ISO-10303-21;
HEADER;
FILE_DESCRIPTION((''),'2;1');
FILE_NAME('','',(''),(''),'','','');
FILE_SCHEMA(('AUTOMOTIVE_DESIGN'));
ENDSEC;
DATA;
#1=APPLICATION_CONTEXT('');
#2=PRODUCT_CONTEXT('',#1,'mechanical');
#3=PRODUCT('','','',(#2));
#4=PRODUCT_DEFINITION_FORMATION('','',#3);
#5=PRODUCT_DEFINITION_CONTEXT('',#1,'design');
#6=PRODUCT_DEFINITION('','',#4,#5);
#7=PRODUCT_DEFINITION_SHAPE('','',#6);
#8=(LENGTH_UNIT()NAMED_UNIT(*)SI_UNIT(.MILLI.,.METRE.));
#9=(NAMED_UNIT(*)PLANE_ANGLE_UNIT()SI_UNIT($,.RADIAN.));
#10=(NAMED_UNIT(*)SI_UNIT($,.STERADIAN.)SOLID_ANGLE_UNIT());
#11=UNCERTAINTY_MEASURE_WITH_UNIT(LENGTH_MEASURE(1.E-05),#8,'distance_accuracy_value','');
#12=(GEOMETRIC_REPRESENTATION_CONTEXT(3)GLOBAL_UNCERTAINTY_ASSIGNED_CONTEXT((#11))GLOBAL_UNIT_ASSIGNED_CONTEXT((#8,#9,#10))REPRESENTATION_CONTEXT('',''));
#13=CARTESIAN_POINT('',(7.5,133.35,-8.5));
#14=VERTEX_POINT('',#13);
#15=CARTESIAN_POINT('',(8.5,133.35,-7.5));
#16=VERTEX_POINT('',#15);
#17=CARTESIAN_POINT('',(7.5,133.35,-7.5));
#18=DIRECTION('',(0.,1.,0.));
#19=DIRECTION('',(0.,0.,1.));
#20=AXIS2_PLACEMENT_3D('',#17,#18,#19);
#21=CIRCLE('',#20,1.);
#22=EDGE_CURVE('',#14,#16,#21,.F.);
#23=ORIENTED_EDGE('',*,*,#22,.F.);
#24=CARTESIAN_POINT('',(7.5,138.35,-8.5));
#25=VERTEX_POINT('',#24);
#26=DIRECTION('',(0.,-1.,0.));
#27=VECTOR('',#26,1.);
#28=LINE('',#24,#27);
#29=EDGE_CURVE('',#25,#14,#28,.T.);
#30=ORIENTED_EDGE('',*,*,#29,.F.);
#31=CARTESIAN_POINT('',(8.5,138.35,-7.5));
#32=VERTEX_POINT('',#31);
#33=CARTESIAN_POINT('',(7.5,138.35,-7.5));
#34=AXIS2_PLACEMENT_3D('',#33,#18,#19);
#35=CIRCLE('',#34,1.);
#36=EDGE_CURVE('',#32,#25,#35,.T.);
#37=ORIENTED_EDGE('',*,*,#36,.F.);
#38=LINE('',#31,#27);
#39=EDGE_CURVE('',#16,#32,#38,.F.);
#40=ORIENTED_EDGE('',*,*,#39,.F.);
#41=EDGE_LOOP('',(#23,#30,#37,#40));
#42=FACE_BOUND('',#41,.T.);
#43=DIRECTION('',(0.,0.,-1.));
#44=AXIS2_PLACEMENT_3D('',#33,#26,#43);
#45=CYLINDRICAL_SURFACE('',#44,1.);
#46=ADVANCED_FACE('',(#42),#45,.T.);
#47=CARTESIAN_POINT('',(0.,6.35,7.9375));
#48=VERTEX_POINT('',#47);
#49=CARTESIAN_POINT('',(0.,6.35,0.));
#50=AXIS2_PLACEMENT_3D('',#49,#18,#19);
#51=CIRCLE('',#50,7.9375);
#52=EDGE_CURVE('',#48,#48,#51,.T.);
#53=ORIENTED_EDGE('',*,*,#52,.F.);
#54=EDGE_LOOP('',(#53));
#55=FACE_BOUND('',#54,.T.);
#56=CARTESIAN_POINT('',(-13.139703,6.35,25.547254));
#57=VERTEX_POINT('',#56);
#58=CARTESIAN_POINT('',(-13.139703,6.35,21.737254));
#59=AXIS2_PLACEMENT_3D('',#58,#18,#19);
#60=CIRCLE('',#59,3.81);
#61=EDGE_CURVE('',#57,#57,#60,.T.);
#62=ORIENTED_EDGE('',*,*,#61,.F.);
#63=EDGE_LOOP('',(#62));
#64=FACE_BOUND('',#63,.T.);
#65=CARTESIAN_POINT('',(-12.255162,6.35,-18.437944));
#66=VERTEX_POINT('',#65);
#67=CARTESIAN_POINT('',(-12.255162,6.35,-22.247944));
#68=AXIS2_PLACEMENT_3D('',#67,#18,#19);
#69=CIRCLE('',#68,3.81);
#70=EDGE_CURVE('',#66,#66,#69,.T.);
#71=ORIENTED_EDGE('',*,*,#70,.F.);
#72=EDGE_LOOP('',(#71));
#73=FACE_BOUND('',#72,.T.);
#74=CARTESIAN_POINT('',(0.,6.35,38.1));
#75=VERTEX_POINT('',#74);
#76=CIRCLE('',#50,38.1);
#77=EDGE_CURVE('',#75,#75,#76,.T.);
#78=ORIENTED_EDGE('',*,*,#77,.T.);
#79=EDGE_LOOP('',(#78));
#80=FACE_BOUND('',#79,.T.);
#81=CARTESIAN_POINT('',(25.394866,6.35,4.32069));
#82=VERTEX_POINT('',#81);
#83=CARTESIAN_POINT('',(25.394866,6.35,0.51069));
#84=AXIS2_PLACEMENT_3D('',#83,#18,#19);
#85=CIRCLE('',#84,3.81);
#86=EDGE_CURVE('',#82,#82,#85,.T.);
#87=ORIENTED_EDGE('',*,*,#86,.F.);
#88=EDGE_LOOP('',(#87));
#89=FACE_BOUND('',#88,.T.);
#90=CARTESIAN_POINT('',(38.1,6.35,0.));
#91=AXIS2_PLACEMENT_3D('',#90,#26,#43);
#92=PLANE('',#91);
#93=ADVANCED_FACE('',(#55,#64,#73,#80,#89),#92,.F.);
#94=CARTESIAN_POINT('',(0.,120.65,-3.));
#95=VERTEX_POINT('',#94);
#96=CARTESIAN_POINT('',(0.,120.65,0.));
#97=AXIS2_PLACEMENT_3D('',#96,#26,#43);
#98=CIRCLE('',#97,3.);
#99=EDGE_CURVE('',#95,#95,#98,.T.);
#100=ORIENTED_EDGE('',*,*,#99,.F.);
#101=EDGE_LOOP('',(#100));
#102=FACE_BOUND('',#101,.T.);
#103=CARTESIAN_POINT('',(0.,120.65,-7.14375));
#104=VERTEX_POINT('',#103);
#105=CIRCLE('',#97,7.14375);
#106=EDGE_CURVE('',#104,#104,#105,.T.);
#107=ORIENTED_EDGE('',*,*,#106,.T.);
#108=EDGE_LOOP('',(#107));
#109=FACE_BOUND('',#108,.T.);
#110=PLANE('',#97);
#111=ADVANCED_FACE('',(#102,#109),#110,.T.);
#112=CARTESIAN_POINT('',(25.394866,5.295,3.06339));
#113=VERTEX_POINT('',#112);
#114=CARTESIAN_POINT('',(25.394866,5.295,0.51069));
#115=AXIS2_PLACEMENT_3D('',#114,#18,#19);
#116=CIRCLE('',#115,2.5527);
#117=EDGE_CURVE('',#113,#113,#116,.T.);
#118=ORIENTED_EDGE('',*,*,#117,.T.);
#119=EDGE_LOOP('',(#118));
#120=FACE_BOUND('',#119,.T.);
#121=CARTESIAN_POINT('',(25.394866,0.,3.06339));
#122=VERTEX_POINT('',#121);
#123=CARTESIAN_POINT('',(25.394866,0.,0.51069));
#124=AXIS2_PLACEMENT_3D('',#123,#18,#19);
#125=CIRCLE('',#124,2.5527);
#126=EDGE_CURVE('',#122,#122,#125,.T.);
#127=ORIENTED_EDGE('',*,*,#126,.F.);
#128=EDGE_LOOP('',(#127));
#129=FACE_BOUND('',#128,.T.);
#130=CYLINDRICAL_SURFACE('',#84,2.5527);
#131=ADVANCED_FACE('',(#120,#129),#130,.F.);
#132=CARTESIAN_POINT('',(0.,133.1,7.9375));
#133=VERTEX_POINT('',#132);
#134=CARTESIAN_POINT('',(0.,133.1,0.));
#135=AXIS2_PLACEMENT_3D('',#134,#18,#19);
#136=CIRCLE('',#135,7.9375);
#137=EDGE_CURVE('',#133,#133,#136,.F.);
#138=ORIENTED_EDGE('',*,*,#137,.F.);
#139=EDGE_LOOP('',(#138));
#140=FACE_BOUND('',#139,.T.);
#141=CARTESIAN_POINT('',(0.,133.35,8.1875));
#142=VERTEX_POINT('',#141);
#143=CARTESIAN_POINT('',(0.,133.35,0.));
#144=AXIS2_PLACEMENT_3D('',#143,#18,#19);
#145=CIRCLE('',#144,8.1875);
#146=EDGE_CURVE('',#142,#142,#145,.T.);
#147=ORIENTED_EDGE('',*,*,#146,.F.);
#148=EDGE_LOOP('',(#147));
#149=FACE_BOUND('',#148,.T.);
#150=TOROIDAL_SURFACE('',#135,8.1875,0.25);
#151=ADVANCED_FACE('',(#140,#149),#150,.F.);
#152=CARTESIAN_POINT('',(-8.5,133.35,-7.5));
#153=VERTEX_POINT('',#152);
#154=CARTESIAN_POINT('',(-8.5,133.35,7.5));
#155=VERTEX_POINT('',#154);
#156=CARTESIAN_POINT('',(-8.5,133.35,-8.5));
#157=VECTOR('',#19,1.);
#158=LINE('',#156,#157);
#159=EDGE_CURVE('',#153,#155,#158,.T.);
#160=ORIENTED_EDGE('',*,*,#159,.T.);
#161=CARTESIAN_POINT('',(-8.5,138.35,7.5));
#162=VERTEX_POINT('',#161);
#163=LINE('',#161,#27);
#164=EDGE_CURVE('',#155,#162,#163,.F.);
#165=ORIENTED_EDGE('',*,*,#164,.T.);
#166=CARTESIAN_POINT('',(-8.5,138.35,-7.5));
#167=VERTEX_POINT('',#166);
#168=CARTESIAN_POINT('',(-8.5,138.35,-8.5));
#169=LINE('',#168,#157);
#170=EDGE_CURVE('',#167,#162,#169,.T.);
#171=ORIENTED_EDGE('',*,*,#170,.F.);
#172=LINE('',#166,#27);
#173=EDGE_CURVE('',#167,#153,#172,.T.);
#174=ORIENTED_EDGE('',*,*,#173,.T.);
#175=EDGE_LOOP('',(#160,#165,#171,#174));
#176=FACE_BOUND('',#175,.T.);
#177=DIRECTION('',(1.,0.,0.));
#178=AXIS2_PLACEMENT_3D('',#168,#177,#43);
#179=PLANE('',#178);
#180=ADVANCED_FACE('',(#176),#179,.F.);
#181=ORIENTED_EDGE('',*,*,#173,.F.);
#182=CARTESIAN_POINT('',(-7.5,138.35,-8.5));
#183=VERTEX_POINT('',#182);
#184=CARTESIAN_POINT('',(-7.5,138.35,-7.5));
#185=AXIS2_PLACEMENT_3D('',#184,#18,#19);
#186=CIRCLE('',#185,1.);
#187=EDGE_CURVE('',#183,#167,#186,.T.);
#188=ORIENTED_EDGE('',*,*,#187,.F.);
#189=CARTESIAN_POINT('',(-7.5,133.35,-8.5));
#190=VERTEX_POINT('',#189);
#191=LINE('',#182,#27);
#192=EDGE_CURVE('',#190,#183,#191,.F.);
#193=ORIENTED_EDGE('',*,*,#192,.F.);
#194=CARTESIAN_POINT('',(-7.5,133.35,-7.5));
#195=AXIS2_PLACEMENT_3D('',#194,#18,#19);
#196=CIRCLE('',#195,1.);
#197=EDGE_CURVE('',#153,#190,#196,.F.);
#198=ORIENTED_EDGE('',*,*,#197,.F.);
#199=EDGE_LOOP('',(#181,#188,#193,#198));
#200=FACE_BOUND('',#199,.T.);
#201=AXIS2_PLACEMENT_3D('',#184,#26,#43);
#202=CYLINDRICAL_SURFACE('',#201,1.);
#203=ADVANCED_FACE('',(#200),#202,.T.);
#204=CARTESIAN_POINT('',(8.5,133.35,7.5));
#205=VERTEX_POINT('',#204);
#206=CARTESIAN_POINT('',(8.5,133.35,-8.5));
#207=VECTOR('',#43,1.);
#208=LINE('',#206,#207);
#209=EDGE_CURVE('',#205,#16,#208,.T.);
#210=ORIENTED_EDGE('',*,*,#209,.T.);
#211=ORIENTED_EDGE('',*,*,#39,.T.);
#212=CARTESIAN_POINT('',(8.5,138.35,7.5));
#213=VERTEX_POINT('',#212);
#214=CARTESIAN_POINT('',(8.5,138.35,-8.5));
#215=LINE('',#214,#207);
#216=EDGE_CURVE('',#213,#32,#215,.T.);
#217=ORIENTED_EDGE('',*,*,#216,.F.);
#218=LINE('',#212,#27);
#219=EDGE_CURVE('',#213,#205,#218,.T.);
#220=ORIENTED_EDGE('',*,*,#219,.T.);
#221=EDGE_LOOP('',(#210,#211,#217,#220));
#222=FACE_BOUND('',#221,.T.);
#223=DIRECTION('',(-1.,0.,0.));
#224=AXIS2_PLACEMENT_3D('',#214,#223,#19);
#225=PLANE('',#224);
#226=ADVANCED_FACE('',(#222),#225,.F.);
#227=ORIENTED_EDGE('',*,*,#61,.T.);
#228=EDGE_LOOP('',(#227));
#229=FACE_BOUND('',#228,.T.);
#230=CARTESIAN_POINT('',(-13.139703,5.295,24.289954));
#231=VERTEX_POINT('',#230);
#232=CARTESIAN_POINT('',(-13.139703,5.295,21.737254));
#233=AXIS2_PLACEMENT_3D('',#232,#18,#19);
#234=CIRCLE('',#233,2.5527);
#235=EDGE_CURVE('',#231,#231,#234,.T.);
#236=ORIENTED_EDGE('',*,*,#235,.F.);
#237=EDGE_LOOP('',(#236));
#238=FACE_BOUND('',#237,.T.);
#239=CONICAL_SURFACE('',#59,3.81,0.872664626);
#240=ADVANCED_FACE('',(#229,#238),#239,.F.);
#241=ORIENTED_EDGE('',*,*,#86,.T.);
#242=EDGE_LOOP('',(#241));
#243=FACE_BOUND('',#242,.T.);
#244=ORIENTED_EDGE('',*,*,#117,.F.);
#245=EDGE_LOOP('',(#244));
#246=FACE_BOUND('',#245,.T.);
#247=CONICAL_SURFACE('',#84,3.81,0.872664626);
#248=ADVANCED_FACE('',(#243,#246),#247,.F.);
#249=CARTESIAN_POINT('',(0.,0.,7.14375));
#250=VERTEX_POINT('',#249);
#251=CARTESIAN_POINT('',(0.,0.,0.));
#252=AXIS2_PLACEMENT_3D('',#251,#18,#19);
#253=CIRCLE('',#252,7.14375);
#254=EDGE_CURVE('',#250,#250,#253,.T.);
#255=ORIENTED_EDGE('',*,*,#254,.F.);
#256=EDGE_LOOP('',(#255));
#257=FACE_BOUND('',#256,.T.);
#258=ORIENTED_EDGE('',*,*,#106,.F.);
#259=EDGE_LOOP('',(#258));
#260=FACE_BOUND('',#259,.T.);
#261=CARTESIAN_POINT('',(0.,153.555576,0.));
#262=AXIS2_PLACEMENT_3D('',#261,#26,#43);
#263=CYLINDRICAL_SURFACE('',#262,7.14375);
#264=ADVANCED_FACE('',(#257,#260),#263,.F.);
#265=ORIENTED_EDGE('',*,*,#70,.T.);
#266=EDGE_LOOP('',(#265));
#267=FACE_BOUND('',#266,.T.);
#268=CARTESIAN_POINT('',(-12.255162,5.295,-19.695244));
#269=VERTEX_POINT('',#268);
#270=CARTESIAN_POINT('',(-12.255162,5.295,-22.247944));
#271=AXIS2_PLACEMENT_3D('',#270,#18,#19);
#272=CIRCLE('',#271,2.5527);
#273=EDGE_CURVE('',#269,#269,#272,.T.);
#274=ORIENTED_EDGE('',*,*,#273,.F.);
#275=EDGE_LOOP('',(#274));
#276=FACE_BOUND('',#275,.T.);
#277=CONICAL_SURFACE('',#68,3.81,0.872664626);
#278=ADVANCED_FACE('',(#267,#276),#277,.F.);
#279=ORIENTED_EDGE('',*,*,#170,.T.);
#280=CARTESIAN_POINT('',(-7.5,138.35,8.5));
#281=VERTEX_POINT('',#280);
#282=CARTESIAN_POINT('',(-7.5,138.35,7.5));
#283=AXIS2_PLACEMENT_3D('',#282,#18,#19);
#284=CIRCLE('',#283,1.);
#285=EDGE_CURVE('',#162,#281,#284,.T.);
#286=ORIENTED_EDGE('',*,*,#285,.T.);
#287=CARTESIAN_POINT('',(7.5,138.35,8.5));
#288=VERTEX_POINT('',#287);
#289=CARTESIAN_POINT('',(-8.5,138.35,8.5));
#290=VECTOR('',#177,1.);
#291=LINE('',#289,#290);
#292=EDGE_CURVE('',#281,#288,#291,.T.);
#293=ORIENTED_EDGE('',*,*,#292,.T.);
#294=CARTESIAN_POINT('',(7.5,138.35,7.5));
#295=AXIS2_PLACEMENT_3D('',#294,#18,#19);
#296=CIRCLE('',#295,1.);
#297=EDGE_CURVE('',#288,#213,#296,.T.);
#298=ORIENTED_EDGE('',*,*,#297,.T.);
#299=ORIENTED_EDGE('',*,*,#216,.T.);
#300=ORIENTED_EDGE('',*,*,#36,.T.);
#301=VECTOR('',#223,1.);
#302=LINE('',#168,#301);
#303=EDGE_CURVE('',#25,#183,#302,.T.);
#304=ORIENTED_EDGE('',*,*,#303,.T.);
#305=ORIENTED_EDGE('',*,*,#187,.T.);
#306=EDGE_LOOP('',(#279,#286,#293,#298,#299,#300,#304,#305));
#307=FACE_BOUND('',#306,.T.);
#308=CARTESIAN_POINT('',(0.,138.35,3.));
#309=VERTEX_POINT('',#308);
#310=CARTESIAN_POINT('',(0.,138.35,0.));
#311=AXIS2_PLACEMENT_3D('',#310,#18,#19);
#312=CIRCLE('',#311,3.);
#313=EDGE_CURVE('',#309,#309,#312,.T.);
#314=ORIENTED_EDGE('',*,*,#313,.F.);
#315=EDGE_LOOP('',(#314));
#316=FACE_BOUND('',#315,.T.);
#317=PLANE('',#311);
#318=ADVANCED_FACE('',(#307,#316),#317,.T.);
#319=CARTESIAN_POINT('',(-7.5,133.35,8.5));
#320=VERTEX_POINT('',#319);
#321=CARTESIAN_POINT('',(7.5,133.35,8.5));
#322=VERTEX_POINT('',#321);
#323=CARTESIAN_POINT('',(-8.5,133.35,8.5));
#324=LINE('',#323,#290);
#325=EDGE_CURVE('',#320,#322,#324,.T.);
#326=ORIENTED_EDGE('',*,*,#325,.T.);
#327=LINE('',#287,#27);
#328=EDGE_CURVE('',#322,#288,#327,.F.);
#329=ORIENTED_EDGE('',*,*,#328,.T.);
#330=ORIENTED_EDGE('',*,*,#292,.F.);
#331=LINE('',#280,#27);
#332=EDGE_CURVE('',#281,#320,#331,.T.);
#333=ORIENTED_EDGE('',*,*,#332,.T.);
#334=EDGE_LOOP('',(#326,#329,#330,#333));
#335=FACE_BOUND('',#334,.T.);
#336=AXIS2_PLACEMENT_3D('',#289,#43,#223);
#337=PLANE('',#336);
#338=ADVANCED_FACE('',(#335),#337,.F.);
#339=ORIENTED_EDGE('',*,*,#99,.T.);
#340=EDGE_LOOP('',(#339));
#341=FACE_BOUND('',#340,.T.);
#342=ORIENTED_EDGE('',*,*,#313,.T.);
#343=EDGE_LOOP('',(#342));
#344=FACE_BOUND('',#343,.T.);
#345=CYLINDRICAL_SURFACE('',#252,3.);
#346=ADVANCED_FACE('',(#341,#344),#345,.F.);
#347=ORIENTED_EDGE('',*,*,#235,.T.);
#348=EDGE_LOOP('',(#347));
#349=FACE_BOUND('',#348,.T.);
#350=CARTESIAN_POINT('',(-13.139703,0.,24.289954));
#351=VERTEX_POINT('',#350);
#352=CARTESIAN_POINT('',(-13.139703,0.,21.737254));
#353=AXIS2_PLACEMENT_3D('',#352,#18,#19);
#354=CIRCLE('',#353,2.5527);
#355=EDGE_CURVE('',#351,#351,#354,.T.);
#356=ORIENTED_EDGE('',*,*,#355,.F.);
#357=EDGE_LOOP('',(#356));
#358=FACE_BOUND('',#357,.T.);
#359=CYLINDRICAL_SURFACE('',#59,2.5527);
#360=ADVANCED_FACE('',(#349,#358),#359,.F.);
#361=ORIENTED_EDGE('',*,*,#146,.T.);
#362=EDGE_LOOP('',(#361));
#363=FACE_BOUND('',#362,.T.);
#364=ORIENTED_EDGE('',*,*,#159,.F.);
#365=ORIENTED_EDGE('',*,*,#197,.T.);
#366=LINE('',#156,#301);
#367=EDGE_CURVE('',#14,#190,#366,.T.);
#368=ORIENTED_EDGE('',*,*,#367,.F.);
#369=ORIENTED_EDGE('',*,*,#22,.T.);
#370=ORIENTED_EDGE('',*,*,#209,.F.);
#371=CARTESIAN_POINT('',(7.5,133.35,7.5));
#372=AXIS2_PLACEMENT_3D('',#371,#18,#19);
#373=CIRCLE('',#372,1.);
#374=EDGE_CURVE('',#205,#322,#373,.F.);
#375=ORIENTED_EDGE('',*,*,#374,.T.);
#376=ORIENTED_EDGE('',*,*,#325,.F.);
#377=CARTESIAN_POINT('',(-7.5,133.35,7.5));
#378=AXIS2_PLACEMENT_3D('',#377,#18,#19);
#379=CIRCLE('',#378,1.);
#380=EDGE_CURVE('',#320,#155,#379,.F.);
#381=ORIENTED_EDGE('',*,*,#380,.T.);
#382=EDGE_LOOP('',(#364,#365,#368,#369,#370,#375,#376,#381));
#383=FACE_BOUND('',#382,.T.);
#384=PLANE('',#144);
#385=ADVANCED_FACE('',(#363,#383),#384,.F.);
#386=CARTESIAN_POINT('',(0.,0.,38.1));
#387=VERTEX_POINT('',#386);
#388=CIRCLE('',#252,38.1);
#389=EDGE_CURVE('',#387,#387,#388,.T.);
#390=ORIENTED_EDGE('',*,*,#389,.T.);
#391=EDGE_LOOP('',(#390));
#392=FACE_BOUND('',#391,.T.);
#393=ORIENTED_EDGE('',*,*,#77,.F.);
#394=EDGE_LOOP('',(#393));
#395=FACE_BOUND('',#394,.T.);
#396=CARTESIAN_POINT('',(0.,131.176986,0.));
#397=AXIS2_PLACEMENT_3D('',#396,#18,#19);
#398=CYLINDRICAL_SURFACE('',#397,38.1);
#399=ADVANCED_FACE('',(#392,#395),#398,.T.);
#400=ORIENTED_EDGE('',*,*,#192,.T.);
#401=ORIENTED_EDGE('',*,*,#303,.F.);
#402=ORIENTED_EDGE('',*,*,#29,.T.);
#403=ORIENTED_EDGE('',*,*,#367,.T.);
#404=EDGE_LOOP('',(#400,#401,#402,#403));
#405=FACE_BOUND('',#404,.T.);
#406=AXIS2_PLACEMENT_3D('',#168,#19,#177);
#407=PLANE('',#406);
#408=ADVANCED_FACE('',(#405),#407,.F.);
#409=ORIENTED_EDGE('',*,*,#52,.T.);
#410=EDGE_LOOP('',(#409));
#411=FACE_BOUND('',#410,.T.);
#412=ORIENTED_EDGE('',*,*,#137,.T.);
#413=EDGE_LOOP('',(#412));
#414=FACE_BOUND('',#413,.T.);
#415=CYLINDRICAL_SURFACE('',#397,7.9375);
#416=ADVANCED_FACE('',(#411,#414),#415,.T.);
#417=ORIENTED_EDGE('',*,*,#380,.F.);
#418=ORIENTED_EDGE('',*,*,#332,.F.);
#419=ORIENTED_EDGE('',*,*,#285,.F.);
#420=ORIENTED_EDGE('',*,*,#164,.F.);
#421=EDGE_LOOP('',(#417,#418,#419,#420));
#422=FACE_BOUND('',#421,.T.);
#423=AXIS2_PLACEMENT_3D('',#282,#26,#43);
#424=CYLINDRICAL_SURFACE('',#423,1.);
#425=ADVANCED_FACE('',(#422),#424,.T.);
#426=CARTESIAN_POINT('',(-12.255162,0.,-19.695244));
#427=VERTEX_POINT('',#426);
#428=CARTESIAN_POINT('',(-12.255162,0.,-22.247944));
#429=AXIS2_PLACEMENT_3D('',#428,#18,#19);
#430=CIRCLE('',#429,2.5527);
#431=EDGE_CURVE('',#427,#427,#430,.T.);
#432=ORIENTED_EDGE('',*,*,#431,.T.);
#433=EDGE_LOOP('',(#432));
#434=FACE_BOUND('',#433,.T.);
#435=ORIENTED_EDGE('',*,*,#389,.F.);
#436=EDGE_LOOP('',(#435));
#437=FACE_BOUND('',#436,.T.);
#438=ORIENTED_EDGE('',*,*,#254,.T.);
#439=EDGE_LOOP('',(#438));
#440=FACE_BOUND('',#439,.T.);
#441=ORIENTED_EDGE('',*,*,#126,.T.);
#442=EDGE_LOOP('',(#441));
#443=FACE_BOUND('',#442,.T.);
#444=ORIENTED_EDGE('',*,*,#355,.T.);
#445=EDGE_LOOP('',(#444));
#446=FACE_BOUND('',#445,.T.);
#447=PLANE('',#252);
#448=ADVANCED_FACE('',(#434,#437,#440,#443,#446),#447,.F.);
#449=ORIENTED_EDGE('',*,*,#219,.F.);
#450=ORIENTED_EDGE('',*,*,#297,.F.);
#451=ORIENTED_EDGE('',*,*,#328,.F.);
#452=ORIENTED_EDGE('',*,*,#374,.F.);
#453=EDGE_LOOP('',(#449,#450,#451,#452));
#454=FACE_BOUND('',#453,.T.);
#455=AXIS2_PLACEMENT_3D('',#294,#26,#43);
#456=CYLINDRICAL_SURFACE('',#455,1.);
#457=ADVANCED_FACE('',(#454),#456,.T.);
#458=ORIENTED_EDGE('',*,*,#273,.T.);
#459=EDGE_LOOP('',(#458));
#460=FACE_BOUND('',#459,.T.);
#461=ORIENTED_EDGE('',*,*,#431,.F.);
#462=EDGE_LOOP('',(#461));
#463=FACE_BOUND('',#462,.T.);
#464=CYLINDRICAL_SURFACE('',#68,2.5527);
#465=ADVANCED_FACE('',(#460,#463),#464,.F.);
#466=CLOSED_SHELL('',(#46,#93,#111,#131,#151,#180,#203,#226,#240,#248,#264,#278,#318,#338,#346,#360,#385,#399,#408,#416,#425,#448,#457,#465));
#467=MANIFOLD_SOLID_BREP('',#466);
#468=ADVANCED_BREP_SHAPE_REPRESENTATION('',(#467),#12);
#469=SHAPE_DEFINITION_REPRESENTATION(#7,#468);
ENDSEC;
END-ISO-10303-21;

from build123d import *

# Parameters (mm, degrees)
SKETCH2_R                         = 7.14375
CUT_EXTRUDE1_DEPTH                = 120.65
SKETCH5_W                         = 17
SKETCH5_H                         = 17
BOSS_EXTRUDE3_DEPTH               = 5
SKETCH4_R                         = 3
CUT_EXTRUDE2_DEPTH                = 139.35
FILLET1_R                         = 1
FILLET2_R                         = 0.25
F_1_4_20_TAPPED_HOLE1_D           = 5.1054
F_1_4_20_TAPPED_HOLE1_CSINK_D     = 7.62
F_1_4_20_TAPPED_HOLE1_CSINK_ANGLE = 100


with BuildPart() as part:
    # Sketch1 → Revolve1 (revolve)
    with BuildSketch(Plane.XY):
        Polygon((0, 0), (38.1, 0), (38.1, 6.35), (7.9375, 6.35), (7.9375, 133.35), (0, 133.35), align=None)
    revolve(axis=Axis((0, 131.17698584, 0), (0, -1, 0)))

    # Sketch2 → Cut-Extrude1 (cut)
    with BuildSketch(Plane(origin=(0, 0, 0), x_dir=(1, 0, 0), z_dir=(0, 1, 0))):
        Circle(SKETCH2_R)
    extrude(amount=CUT_EXTRUDE1_DEPTH, mode=Mode.SUBTRACT)

    # Sketch5 → Boss-Extrude3 (add)
    with BuildSketch(Plane(origin=(0, 133.35, 0), x_dir=(1, 0, 0), z_dir=(0, 1, 0))):
        Rectangle(SKETCH5_W, SKETCH5_H)
    extrude(amount=BOSS_EXTRUDE3_DEPTH)

    # Sketch4 → Cut-Extrude2 (cut, through all)
    with BuildSketch(Plane(origin=(0, 138.35, 0), x_dir=(1, 0, 0), z_dir=(0, 1, 0))):
        Circle(SKETCH4_R)
    extrude(amount=-CUT_EXTRUDE2_DEPTH, mode=Mode.SUBTRACT)

    # Fillet1
    fillet1_edges = [part.edges().sort_by_distance(p)[0] for p in [
        (8.5, 135.85, 8.5),
        (8.5, 135.85, -8.5),
        (-8.5, 135.85, -8.5),
        (-8.5, 135.85, 8.5),
    ]]
    fillet(fillet1_edges, radius=FILLET1_R)

    # Fillet2
    fillet2_edges = [part.edges().sort_by_distance(p)[0] for p in [
        (-7.9375, 133.35, 0),
    ]]
    fillet(fillet2_edges, radius=FILLET2_R)

    # 1/4-20 Tapped Hole1 (through all)
    with Locations(Plane(origin=(0, 6.35, 0), x_dir=(1, 0, 0), z_dir=(0, 1, 0))):
        with Locations((-13.139703049, -21.737253823), (-12.255162495, 22.24794355), (25.394865544, -0.510689727)):
            CounterSinkHole(F_1_4_20_TAPPED_HOLE1_D / 2, F_1_4_20_TAPPED_HOLE1_CSINK_D / 2, counter_sink_angle=F_1_4_20_TAPPED_HOLE1_CSINK_ANGLE)


solid = part.part
